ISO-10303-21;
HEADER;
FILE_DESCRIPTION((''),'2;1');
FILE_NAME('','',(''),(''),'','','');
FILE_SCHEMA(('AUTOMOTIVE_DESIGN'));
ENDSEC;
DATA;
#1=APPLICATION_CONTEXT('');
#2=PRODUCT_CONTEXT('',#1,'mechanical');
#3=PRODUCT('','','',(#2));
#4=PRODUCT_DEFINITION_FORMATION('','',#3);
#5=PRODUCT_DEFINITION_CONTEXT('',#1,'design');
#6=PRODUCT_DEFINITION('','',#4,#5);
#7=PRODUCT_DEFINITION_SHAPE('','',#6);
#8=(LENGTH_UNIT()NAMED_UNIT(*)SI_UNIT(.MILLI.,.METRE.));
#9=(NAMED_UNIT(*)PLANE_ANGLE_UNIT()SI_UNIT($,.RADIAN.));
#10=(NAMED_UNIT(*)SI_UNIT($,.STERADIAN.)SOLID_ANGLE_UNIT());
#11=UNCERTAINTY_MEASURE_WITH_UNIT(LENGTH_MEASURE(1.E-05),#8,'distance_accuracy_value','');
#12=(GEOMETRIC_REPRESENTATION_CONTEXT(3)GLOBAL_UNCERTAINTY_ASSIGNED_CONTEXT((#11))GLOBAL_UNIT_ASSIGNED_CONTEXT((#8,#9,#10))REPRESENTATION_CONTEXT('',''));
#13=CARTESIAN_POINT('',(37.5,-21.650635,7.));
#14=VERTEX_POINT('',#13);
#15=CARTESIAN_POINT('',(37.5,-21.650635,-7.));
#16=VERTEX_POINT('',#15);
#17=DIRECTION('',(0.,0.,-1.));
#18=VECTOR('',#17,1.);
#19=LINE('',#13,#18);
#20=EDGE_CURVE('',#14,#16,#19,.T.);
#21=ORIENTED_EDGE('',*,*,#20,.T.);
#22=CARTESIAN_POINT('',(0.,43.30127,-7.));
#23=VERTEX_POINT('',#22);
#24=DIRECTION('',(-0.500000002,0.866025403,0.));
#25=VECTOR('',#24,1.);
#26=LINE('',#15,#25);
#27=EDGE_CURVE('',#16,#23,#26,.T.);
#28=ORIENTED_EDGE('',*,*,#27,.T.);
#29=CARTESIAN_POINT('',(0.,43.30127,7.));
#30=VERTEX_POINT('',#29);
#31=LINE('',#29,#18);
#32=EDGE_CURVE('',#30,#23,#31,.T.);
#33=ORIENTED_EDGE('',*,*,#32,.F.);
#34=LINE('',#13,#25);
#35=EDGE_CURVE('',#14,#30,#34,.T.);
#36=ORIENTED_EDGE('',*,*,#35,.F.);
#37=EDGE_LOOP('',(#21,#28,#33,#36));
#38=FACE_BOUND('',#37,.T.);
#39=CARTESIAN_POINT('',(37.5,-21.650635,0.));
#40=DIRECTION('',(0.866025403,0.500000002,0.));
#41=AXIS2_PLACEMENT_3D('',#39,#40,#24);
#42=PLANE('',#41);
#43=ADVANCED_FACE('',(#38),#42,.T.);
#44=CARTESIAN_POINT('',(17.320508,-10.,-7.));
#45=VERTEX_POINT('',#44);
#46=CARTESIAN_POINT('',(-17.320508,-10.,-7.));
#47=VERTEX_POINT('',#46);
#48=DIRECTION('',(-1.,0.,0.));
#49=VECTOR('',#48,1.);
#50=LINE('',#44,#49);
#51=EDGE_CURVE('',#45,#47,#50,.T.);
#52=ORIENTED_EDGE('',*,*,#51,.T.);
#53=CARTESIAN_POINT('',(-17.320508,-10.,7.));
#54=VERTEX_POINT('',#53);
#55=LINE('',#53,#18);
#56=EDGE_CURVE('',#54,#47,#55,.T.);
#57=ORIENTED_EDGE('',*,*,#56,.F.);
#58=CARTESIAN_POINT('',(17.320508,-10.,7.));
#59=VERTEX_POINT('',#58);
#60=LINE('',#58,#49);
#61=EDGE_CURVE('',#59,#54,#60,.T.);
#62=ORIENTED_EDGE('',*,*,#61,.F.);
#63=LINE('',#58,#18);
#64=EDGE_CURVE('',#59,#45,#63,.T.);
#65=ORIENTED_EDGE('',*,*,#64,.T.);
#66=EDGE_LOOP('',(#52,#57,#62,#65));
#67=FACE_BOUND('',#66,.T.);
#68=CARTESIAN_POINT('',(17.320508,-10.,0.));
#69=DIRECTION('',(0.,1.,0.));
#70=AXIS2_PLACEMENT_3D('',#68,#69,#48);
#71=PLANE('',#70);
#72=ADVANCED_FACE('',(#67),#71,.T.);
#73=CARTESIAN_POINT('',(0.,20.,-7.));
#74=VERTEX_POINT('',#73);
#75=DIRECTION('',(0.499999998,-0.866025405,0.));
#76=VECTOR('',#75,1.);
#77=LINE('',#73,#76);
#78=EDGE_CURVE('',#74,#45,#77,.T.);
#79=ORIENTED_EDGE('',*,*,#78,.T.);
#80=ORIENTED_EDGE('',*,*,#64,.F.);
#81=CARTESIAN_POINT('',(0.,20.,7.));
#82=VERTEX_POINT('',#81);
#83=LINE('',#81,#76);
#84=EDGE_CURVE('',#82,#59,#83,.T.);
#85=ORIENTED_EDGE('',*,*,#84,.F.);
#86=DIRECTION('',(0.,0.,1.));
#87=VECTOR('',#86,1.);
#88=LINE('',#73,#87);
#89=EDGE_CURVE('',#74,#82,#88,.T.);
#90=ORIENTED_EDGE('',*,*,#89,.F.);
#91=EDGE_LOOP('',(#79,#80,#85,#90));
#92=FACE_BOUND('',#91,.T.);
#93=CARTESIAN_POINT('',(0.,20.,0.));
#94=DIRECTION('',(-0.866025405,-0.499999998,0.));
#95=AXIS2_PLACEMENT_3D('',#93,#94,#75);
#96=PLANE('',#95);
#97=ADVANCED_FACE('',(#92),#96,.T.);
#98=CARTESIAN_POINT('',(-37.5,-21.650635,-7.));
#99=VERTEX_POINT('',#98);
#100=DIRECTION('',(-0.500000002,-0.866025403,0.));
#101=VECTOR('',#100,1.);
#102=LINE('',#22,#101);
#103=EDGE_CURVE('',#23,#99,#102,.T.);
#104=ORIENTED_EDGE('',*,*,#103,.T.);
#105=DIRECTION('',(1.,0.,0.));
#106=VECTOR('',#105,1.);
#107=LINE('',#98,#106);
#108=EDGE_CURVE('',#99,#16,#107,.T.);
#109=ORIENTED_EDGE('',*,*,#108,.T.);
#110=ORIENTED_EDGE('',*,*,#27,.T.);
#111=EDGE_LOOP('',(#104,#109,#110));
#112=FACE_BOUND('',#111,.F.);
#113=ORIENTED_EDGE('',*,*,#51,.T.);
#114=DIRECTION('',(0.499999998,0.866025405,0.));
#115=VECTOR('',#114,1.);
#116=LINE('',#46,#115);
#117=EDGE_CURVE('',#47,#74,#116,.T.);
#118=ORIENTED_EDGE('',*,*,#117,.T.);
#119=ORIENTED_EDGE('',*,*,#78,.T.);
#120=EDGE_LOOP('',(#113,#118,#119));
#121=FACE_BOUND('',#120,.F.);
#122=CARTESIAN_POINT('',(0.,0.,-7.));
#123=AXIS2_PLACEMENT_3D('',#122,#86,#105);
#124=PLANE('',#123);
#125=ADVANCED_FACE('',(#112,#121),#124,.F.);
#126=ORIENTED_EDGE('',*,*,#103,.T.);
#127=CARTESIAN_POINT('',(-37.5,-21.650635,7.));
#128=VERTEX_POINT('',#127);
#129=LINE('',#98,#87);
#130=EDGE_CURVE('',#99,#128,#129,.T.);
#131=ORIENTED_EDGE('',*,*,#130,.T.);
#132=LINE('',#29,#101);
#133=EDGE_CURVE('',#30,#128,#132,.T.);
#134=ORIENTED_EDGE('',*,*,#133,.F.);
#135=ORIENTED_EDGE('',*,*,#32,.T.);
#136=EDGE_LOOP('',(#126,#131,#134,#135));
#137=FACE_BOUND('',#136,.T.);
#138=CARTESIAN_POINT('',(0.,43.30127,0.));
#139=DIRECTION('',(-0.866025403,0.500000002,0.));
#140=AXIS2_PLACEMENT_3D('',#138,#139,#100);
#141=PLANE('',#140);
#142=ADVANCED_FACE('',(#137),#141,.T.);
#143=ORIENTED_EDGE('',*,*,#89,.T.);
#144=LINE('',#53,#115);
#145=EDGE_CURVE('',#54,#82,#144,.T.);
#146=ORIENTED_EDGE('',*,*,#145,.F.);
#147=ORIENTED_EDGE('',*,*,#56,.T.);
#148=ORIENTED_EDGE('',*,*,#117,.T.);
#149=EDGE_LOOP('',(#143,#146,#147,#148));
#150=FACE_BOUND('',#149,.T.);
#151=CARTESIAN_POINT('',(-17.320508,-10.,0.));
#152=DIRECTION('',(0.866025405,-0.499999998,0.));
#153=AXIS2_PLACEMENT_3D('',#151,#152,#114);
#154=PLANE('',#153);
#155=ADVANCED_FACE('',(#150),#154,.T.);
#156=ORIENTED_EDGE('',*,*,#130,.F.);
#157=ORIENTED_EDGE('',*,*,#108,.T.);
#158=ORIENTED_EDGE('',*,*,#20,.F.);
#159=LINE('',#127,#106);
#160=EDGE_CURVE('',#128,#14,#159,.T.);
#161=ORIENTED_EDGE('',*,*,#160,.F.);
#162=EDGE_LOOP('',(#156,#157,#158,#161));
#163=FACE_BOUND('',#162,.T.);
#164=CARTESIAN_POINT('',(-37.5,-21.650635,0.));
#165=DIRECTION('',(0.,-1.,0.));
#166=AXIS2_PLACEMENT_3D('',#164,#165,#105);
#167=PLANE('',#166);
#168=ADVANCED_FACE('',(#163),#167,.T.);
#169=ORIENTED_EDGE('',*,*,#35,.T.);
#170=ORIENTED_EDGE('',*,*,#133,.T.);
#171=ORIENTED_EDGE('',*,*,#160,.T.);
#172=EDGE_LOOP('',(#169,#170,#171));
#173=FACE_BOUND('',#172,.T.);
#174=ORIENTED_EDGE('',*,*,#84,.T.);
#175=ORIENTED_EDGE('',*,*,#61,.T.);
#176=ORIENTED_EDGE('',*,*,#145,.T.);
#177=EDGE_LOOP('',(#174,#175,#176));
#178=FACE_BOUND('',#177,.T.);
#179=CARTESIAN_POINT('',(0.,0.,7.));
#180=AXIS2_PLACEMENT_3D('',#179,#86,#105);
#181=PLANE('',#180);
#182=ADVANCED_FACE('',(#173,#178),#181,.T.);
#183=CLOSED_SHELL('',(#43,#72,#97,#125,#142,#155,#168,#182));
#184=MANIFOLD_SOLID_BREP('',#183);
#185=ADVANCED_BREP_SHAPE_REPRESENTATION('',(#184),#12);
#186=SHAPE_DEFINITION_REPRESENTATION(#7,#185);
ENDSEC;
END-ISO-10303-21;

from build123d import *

# Parameters (mm, degrees)
F1_DEPTH = 7


with BuildPart() as f1:
    # F0 (on Top) → F1 (new body, symmetric)
    with BuildSketch(Plane.XY):
        Polygon((0, 43.30127), (-37.5, -21.650635), (37.5, -21.650635), align=None)
        Polygon((0, 20), (17.320508, -10), (-17.320508, -10), align=None, mode=Mode.SUBTRACT)
    extrude(amount=F1_DEPTH, both=True)


solid = f1.part
